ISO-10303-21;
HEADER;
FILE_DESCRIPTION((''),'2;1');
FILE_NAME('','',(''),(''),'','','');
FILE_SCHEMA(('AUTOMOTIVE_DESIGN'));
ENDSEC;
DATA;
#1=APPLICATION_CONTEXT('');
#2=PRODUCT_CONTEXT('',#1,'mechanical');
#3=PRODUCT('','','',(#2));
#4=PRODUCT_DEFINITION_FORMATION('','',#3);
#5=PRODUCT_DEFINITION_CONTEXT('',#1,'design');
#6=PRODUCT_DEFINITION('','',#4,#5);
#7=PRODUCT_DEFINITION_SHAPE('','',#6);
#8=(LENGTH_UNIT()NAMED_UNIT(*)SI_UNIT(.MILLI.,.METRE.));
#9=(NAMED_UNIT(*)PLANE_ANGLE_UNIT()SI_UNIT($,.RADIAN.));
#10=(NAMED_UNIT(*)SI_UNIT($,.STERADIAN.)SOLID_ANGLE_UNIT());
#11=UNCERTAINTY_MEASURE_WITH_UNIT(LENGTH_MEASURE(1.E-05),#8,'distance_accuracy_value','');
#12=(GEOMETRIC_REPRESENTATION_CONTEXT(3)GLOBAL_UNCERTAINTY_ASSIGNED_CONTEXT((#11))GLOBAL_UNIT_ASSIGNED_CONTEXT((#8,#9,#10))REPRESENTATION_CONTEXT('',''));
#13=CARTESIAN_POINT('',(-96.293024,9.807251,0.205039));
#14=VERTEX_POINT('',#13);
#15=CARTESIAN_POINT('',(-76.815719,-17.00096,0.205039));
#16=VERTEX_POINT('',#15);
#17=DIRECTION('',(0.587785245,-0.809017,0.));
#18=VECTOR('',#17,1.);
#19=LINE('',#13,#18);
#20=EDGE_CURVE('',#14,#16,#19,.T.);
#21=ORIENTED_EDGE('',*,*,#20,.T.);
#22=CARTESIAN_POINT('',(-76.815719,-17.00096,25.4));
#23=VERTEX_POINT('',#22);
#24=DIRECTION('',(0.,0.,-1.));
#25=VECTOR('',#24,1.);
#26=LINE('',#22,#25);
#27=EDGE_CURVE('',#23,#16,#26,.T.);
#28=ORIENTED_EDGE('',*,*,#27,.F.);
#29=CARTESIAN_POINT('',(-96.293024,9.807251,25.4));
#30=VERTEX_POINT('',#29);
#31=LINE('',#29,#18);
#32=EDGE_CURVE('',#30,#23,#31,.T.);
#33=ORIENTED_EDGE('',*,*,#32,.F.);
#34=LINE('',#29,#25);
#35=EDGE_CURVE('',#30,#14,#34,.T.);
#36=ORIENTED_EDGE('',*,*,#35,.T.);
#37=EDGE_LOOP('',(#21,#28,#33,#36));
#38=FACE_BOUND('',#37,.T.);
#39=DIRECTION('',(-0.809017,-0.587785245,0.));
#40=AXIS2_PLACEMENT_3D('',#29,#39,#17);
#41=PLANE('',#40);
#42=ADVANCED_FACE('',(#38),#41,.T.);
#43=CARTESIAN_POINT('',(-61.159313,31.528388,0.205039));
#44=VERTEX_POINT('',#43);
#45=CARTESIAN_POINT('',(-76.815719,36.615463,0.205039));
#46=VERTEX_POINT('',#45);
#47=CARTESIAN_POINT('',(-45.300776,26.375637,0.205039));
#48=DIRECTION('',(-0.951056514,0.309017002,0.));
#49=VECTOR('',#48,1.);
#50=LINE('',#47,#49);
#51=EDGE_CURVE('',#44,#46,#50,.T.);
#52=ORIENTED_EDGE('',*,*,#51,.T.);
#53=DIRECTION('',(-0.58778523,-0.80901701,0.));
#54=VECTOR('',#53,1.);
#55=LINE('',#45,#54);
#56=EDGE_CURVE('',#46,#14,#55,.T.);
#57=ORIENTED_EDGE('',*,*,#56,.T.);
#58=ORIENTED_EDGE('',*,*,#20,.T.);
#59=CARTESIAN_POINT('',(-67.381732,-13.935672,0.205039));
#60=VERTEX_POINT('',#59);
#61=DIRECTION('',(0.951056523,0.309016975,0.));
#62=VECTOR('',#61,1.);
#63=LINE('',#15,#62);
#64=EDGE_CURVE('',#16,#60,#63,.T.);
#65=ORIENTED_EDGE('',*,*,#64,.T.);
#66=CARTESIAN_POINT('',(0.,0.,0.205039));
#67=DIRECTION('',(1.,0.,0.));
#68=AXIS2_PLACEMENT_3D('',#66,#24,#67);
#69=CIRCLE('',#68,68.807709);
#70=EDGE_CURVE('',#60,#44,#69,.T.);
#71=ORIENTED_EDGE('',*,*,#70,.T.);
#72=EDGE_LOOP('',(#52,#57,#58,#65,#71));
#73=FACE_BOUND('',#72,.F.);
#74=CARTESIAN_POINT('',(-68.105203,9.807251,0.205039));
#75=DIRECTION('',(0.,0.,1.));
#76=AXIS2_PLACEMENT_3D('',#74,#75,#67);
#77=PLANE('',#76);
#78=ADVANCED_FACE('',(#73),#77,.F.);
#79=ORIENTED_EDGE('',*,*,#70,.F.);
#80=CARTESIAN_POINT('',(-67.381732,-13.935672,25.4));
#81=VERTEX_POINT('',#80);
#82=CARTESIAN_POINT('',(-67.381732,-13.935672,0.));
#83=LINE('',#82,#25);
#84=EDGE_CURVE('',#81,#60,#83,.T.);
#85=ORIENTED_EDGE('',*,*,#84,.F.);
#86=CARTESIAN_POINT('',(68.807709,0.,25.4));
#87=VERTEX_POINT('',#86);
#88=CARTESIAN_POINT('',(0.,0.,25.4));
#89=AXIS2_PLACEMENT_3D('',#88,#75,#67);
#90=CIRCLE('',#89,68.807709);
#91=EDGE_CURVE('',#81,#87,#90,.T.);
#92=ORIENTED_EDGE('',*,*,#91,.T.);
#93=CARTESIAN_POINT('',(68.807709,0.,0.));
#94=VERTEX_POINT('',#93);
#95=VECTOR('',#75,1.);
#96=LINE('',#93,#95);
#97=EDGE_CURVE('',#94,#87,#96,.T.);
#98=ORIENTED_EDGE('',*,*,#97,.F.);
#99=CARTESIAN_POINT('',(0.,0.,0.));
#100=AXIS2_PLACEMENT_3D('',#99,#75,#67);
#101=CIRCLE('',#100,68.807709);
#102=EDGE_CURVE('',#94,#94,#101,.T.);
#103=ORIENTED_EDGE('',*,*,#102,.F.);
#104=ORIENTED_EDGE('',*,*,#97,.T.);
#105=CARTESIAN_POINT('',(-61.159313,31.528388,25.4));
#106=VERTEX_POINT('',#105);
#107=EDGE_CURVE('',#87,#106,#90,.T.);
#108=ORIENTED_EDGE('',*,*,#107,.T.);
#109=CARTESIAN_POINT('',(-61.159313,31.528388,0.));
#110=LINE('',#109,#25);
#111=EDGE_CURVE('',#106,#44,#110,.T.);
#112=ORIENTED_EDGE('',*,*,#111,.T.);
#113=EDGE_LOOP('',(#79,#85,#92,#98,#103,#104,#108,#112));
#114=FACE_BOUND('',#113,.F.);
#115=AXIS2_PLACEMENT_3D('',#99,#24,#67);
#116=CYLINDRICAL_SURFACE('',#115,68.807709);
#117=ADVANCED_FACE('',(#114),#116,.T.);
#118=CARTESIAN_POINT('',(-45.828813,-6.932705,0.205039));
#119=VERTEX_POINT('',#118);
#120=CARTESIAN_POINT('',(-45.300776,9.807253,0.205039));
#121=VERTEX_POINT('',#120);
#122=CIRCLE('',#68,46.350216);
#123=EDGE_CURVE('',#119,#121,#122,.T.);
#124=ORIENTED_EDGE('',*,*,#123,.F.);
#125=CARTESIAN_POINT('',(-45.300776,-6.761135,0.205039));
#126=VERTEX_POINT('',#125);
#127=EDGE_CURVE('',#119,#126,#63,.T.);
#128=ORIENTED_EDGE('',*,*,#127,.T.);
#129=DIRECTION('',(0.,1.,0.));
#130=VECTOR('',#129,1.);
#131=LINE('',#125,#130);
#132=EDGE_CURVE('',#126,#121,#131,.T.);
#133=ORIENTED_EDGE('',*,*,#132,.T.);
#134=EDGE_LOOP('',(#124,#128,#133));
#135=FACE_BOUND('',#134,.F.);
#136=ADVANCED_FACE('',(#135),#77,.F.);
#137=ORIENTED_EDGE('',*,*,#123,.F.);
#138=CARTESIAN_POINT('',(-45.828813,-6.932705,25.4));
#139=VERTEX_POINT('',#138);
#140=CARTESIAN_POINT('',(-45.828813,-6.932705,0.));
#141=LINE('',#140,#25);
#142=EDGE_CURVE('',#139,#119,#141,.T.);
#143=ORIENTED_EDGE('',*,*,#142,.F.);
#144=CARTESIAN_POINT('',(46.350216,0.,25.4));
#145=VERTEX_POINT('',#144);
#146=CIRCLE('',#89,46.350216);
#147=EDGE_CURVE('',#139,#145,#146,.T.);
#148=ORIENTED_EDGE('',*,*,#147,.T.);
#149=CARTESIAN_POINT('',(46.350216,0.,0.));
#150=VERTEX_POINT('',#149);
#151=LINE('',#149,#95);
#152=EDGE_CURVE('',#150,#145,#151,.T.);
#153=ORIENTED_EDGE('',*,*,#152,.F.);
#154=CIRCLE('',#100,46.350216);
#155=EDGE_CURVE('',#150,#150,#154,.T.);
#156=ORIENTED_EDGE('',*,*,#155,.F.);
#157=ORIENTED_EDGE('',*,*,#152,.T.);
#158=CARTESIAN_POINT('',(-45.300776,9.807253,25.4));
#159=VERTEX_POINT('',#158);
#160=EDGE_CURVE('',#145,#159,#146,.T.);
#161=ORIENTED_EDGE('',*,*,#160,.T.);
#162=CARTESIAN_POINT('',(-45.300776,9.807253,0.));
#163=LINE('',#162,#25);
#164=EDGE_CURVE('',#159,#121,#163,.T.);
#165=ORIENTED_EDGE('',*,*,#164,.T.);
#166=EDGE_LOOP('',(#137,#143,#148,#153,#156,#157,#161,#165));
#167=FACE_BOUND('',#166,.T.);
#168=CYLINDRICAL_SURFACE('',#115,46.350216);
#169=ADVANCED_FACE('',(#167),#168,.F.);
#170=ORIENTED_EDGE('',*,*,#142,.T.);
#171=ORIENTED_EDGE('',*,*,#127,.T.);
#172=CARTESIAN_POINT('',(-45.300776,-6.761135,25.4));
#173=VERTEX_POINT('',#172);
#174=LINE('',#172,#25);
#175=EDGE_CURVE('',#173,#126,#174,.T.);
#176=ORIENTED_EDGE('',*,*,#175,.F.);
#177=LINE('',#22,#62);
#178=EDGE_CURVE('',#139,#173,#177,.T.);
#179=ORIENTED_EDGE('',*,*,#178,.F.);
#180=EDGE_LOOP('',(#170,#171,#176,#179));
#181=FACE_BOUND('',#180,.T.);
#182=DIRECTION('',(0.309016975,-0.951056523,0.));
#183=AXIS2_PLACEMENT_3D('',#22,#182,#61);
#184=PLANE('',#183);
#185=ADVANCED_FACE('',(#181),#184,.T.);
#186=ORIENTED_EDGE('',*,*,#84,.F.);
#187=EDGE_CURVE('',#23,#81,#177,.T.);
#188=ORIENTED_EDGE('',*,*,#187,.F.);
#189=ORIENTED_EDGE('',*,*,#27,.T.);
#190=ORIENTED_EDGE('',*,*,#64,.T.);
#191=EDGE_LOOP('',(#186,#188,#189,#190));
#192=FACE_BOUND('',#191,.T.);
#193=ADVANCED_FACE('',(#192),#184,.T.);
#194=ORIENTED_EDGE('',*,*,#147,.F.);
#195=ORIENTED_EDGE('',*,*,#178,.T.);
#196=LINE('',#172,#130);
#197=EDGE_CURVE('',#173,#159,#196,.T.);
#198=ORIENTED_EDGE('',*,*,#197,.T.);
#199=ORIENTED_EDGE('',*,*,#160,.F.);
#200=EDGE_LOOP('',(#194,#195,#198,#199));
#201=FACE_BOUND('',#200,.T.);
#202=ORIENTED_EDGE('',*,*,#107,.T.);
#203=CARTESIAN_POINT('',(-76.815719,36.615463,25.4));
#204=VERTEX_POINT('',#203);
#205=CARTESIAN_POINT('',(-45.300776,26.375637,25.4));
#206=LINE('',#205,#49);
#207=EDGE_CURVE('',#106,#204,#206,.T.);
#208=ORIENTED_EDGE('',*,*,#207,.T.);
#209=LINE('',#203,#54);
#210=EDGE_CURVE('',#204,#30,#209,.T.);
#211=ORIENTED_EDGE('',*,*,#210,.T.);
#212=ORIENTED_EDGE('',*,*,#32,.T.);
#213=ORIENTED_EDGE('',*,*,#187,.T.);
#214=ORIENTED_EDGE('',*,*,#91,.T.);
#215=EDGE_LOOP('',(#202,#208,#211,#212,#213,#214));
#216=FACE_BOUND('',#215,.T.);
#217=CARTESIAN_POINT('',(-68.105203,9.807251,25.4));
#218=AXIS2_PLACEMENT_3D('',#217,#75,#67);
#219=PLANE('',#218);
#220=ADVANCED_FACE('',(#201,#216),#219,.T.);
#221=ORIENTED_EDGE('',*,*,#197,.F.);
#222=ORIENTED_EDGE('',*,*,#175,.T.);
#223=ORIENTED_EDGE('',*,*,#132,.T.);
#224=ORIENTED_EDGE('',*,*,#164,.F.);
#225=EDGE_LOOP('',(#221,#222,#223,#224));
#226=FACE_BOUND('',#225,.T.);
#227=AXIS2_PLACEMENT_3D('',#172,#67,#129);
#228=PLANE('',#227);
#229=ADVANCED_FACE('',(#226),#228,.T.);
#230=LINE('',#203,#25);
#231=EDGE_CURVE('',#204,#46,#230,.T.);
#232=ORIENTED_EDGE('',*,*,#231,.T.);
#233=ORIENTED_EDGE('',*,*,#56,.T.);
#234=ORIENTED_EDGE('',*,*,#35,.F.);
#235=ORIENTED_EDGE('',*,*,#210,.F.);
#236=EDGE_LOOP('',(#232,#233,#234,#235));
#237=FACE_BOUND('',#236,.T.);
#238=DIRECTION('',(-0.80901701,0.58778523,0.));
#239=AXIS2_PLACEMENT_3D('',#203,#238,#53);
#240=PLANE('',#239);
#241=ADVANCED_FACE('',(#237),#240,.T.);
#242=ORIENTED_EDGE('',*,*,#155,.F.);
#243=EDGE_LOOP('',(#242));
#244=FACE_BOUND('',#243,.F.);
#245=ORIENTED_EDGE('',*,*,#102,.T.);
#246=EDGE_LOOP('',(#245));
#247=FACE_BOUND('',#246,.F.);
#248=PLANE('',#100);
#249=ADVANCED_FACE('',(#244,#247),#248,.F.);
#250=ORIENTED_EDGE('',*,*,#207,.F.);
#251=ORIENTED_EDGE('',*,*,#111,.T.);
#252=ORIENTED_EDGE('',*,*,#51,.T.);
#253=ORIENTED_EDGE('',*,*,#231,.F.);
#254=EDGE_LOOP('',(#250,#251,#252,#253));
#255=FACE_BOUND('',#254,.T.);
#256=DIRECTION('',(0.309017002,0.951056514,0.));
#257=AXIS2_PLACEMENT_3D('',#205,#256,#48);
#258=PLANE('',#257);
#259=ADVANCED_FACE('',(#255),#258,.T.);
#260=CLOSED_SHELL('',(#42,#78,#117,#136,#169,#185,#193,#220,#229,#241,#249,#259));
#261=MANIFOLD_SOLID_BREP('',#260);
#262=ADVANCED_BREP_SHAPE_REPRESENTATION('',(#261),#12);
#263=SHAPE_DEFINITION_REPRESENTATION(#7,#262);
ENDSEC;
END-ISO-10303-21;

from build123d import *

# Parameters (mm, degrees)
F3_R     = 68.807709
F3_R_2   = 46.350216
F1_DEPTH = 25.4
F4_DEPTH = 25.194961


with BuildPart() as f1:
    # F3 (on face) → F1 (new body)
    with BuildSketch(Plane.XY):
        Circle(F3_R)
        Circle(F3_R_2, mode=Mode.SUBTRACT)
    extrude(amount=F1_DEPTH)

    # F2 (on face) → F4 (join)
    with BuildSketch(Plane.XY.offset(25.4)):
        Polygon((-45.300776, -6.761135), (-45.300776, 26.375637), (-76.815719, 36.615463), (-96.293024, 9.807251), (-76.815719, -17.00096), align=None)
    extrude(amount=-F4_DEPTH)


solid = f1.part
